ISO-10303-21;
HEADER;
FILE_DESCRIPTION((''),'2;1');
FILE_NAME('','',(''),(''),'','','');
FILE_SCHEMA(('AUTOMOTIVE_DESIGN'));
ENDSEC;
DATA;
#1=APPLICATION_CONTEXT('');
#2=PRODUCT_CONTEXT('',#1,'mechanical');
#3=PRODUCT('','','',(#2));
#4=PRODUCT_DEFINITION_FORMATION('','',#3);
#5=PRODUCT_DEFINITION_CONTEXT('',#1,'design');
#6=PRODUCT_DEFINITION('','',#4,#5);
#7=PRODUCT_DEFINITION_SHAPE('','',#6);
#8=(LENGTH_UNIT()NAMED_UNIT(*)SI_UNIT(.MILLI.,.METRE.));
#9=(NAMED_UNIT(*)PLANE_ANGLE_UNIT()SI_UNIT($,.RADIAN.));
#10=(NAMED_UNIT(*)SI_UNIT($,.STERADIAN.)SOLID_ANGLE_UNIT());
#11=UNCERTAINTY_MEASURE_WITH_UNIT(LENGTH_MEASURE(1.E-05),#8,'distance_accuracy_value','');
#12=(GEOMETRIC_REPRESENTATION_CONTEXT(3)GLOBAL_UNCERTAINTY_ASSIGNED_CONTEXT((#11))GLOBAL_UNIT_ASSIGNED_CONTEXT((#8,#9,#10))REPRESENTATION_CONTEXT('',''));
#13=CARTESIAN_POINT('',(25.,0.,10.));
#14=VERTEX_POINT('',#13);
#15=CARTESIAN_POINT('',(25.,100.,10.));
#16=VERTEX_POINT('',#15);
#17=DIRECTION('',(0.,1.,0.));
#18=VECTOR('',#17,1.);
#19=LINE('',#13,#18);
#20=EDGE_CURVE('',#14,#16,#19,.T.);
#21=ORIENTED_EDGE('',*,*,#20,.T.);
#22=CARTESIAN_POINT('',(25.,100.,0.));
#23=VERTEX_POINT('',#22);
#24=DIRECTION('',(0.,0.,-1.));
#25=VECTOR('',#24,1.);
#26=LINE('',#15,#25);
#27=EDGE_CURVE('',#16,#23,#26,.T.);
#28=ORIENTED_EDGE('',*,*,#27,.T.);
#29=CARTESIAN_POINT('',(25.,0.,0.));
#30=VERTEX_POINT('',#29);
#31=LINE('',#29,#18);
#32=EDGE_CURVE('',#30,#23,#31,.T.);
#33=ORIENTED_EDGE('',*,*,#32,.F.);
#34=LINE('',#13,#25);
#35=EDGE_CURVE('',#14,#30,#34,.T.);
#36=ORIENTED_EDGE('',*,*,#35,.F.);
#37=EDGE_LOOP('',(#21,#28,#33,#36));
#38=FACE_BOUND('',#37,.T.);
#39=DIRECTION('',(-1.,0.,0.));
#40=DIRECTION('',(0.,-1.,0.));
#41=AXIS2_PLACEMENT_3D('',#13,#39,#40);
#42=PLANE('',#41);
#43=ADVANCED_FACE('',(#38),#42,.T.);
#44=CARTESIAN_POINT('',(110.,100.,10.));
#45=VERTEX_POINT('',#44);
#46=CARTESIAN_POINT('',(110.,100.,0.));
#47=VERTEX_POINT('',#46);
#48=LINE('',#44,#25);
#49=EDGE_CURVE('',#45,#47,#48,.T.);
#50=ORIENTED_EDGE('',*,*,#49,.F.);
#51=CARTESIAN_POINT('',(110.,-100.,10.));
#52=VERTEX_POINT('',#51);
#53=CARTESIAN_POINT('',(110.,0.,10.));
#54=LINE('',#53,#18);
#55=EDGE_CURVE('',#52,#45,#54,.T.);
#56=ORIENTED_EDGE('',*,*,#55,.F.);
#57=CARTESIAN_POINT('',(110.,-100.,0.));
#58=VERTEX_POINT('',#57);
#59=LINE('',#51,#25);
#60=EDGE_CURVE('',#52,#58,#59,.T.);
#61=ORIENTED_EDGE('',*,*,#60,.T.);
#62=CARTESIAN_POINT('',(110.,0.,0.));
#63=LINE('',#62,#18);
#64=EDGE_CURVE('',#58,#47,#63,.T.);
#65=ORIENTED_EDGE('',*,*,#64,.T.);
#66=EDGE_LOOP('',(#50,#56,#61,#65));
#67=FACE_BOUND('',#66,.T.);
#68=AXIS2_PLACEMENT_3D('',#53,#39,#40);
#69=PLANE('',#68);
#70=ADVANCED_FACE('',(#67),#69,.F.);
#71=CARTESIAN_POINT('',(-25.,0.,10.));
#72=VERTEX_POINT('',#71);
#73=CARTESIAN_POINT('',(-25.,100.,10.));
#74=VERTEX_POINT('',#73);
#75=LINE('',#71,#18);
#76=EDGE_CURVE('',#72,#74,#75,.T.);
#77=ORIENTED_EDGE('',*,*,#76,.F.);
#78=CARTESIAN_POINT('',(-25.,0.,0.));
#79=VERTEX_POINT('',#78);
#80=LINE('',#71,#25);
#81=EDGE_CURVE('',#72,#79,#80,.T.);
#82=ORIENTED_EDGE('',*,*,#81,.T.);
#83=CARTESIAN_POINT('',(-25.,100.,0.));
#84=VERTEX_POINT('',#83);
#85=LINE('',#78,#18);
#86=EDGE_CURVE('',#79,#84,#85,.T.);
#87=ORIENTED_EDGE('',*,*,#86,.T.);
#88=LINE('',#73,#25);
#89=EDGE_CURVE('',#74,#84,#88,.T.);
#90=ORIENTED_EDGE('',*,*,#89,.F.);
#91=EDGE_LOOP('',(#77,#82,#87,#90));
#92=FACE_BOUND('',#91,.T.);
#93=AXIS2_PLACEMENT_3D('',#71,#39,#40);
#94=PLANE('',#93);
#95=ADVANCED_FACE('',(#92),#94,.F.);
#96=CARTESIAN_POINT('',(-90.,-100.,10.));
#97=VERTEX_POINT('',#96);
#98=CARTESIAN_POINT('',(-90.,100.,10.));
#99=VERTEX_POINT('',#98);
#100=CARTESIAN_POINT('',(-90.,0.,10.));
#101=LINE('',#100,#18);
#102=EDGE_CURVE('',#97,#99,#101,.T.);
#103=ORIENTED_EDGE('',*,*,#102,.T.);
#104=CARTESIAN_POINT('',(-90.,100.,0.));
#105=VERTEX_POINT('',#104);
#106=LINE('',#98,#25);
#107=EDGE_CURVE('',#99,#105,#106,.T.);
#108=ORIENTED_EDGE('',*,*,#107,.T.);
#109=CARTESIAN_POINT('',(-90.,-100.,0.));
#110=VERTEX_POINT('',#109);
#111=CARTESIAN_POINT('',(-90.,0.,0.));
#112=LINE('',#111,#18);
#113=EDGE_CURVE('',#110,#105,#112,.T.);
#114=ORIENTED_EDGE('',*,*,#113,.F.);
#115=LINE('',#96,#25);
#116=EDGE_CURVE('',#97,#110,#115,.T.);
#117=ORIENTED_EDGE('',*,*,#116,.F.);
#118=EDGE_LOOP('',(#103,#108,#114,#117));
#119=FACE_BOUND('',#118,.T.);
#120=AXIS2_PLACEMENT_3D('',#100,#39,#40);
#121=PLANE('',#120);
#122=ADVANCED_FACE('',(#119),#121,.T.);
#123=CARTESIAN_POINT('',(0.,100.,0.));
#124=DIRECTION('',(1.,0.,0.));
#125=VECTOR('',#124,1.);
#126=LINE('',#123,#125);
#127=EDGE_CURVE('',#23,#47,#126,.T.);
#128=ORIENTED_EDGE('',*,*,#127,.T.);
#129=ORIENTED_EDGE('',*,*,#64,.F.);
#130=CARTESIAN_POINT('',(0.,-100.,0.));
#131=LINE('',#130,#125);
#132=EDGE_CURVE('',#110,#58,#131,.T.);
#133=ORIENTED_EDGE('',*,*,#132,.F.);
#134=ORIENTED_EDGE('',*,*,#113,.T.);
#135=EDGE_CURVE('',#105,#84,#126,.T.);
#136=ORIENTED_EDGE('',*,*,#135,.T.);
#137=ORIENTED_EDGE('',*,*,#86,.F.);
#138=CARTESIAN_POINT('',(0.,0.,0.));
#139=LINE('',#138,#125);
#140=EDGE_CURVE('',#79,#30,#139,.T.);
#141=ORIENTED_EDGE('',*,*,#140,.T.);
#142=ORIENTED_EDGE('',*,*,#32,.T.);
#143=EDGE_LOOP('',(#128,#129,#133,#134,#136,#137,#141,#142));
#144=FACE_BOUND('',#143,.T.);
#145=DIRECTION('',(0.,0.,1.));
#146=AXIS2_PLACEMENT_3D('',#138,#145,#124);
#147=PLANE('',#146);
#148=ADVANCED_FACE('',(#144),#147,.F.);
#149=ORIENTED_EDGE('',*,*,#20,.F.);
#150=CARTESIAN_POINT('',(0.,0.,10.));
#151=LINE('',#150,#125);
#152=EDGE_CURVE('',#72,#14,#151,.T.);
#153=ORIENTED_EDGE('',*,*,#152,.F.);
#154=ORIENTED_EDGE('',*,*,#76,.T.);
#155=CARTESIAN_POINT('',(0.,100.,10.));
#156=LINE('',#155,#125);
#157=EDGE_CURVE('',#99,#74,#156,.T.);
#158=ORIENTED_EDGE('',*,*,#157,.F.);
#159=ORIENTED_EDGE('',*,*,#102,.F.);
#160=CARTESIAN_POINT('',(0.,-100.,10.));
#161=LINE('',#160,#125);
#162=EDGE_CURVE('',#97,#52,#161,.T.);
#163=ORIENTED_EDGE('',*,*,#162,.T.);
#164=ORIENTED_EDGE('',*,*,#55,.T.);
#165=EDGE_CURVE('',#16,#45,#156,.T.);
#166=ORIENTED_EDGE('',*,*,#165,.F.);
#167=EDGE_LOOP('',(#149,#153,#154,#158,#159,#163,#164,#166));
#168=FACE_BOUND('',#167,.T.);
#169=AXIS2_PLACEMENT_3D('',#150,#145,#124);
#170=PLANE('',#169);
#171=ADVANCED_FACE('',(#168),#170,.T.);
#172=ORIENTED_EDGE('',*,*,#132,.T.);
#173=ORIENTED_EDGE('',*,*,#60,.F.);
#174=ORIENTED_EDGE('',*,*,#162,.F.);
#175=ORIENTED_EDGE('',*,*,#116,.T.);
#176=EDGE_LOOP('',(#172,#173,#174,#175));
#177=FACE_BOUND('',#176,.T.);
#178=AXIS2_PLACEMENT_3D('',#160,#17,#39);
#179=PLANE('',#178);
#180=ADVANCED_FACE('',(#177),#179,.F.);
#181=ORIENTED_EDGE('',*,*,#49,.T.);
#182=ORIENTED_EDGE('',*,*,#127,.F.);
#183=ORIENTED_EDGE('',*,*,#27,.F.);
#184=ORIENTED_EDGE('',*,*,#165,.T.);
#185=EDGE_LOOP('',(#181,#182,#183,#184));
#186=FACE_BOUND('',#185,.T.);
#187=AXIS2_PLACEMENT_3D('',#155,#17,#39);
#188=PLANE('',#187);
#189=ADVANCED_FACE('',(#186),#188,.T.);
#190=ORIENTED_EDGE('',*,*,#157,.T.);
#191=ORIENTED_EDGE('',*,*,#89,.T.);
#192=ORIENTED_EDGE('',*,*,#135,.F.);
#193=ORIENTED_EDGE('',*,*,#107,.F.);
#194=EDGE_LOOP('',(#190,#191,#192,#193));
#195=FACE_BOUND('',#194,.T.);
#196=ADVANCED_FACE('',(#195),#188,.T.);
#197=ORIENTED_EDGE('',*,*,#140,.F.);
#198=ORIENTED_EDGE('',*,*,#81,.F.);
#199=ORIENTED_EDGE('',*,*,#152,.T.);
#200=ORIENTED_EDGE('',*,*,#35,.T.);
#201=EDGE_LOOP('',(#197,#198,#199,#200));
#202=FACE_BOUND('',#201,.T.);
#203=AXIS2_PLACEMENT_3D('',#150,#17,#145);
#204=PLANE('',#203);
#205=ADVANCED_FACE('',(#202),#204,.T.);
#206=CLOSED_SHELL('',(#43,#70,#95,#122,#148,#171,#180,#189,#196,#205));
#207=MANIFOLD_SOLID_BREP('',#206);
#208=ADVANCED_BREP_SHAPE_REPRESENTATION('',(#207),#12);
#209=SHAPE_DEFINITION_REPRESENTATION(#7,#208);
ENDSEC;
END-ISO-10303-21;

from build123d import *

# Parameters (mm, degrees)
BOSS_EXTRUDE1_DEPTH = 10


with BuildPart() as part:
    # Sketch2 → Boss-Extrude1 (new body)
    with BuildSketch(Plane.XY):
        Polygon((-90, 100), (-90, -100), (110, -100), (110, 100), (25, 100), (25, 0), (-25, 0), (-25, 100), align=None)
    extrude(amount=BOSS_EXTRUDE1_DEPTH)


solid = part.part
